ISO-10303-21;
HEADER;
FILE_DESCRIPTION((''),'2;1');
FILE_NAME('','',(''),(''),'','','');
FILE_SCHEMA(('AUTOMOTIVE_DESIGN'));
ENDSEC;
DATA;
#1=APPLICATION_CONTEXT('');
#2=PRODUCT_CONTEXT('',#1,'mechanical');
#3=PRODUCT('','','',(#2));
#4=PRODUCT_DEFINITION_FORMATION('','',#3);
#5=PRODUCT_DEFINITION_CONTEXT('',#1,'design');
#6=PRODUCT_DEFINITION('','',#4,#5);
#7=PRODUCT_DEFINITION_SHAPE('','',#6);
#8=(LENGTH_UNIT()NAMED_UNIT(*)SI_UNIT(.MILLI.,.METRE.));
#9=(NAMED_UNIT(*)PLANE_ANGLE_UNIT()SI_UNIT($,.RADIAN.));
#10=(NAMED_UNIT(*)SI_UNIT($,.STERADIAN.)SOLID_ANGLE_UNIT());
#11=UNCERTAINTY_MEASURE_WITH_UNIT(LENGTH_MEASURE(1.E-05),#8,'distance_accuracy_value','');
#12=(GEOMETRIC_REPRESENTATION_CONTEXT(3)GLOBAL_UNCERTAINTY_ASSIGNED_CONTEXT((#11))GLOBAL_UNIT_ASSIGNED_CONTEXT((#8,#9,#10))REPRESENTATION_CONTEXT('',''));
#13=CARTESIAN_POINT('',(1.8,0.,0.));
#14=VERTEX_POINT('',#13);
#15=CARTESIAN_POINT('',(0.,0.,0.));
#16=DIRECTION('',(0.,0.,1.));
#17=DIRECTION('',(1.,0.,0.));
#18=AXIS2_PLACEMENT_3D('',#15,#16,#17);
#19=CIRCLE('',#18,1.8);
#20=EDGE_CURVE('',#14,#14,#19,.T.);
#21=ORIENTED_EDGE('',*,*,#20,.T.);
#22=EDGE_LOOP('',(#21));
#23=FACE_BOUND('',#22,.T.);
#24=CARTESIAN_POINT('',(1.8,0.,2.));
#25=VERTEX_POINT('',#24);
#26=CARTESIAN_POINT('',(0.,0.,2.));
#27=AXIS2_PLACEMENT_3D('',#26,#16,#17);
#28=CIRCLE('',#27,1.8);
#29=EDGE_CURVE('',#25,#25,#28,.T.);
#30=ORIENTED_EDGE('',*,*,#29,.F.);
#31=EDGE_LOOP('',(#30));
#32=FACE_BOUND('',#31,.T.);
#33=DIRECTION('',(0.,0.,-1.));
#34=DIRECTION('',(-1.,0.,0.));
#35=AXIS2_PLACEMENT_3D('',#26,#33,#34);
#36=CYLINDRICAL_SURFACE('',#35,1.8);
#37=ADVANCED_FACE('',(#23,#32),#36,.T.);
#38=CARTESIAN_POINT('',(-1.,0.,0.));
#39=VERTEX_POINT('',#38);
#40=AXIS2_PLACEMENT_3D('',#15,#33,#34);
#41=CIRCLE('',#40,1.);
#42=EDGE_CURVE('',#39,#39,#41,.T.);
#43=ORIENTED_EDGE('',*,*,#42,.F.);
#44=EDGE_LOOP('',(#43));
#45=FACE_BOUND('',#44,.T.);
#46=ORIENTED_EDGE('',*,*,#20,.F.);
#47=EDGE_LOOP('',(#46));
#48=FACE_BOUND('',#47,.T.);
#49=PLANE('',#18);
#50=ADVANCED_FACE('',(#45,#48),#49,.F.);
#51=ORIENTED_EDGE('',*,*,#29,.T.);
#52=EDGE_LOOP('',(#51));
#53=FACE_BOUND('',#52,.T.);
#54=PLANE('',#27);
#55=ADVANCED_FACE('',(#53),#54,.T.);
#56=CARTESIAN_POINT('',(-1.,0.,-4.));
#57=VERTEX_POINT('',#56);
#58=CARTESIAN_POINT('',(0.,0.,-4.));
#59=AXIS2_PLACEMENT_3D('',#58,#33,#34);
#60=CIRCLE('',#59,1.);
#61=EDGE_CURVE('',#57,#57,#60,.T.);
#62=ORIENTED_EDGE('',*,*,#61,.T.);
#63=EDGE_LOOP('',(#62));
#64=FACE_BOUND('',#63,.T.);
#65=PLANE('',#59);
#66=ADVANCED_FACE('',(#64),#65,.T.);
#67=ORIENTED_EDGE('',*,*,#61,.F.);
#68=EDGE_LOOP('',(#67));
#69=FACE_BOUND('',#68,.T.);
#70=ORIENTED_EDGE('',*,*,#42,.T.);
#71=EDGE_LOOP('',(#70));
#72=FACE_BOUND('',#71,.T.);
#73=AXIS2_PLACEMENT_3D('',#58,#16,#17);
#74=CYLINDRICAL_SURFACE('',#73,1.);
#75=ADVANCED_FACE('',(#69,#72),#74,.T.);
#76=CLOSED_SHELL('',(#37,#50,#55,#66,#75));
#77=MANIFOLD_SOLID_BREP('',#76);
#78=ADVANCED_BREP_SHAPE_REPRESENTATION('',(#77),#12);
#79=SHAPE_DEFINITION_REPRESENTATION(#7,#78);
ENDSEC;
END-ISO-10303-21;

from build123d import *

# Parameters (mm, degrees)
SKETCH_1_R      = 1.8
EXTRUDE_1_DEPTH = 2
SKETCH_2_R      = 1
EXTRUDE_3_DEPTH = 4


with BuildPart() as part:
    # 草图1 → 凸台-拉伸1 (new body)
    with BuildSketch(Plane.XY):
        Circle(SKETCH_1_R)
    extrude(amount=EXTRUDE_1_DEPTH)

    # 草图2 → 凸台-拉伸3 (add)
    with BuildSketch(Plane(origin=(0, 0, 0), x_dir=(-1, 0, 0), z_dir=(0, 0, -1))):
        Circle(SKETCH_2_R)
    extrude(amount=EXTRUDE_3_DEPTH)


solid = part.part
